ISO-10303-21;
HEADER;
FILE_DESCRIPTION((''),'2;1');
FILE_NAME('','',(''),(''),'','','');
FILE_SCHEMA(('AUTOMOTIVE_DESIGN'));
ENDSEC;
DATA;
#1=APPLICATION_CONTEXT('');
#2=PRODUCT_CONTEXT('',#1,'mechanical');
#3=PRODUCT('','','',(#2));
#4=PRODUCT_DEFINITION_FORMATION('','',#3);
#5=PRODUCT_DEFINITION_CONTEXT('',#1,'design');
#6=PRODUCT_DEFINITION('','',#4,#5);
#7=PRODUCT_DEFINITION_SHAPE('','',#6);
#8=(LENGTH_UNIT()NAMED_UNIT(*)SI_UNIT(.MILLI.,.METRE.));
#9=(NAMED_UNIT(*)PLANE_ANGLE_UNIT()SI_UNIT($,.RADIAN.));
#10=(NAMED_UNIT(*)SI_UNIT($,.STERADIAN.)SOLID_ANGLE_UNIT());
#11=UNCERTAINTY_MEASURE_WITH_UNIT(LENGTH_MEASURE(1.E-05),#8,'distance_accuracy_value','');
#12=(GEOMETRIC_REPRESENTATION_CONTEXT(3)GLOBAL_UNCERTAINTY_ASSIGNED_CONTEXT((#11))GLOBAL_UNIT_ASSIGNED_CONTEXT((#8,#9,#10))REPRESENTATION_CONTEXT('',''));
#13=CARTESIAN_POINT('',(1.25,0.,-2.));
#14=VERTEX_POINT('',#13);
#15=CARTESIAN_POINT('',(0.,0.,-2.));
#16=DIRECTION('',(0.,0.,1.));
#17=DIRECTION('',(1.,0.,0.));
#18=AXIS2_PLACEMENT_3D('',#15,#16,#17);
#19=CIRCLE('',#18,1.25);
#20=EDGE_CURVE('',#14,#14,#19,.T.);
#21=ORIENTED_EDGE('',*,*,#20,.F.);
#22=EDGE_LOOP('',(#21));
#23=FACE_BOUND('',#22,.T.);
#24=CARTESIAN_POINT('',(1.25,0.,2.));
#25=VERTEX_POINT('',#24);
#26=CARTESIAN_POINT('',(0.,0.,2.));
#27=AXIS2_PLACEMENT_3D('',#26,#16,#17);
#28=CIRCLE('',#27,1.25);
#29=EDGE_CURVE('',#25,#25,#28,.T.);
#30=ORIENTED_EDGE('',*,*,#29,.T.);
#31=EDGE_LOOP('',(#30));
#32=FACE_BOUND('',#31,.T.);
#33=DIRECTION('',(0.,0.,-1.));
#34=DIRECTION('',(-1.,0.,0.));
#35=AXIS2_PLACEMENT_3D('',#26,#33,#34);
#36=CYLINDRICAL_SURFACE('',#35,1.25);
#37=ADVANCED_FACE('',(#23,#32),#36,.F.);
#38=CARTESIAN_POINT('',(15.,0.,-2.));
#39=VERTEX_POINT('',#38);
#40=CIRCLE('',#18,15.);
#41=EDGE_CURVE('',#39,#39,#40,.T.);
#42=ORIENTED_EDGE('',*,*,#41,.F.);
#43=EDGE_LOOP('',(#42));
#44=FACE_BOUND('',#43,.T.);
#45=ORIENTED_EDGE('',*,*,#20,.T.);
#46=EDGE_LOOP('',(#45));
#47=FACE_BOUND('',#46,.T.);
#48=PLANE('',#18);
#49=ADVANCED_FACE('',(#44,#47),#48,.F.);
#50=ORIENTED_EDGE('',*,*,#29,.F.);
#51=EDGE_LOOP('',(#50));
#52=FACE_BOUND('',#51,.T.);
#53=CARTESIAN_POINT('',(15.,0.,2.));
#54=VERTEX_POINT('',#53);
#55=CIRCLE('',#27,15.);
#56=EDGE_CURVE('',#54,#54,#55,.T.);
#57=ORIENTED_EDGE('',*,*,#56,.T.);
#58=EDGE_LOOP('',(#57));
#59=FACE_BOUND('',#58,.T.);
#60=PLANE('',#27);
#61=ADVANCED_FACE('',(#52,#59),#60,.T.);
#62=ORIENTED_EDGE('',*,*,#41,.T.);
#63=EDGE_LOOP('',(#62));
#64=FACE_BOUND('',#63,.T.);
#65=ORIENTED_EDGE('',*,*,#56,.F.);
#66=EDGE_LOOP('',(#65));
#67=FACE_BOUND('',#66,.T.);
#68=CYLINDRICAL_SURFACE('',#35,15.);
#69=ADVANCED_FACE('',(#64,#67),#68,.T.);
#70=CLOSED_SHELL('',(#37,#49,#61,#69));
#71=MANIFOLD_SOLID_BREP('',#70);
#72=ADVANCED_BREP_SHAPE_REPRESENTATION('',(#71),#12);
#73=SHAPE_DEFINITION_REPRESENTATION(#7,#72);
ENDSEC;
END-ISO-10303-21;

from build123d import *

# Parameters (mm, degrees)
CROQUIS1_R              = 15
CROQUIS1_R_2            = 1.25
SALIENTE_EXTRUIR1_DEPTH = 2


with BuildPart() as part:
    # Croquis1 → Saliente-Extruir1 (new body, symmetric)
    with BuildSketch(Plane.XY):
        Circle(CROQUIS1_R)
        Circle(CROQUIS1_R_2, mode=Mode.SUBTRACT)
    extrude(amount=SALIENTE_EXTRUIR1_DEPTH, both=True)


solid = part.part
